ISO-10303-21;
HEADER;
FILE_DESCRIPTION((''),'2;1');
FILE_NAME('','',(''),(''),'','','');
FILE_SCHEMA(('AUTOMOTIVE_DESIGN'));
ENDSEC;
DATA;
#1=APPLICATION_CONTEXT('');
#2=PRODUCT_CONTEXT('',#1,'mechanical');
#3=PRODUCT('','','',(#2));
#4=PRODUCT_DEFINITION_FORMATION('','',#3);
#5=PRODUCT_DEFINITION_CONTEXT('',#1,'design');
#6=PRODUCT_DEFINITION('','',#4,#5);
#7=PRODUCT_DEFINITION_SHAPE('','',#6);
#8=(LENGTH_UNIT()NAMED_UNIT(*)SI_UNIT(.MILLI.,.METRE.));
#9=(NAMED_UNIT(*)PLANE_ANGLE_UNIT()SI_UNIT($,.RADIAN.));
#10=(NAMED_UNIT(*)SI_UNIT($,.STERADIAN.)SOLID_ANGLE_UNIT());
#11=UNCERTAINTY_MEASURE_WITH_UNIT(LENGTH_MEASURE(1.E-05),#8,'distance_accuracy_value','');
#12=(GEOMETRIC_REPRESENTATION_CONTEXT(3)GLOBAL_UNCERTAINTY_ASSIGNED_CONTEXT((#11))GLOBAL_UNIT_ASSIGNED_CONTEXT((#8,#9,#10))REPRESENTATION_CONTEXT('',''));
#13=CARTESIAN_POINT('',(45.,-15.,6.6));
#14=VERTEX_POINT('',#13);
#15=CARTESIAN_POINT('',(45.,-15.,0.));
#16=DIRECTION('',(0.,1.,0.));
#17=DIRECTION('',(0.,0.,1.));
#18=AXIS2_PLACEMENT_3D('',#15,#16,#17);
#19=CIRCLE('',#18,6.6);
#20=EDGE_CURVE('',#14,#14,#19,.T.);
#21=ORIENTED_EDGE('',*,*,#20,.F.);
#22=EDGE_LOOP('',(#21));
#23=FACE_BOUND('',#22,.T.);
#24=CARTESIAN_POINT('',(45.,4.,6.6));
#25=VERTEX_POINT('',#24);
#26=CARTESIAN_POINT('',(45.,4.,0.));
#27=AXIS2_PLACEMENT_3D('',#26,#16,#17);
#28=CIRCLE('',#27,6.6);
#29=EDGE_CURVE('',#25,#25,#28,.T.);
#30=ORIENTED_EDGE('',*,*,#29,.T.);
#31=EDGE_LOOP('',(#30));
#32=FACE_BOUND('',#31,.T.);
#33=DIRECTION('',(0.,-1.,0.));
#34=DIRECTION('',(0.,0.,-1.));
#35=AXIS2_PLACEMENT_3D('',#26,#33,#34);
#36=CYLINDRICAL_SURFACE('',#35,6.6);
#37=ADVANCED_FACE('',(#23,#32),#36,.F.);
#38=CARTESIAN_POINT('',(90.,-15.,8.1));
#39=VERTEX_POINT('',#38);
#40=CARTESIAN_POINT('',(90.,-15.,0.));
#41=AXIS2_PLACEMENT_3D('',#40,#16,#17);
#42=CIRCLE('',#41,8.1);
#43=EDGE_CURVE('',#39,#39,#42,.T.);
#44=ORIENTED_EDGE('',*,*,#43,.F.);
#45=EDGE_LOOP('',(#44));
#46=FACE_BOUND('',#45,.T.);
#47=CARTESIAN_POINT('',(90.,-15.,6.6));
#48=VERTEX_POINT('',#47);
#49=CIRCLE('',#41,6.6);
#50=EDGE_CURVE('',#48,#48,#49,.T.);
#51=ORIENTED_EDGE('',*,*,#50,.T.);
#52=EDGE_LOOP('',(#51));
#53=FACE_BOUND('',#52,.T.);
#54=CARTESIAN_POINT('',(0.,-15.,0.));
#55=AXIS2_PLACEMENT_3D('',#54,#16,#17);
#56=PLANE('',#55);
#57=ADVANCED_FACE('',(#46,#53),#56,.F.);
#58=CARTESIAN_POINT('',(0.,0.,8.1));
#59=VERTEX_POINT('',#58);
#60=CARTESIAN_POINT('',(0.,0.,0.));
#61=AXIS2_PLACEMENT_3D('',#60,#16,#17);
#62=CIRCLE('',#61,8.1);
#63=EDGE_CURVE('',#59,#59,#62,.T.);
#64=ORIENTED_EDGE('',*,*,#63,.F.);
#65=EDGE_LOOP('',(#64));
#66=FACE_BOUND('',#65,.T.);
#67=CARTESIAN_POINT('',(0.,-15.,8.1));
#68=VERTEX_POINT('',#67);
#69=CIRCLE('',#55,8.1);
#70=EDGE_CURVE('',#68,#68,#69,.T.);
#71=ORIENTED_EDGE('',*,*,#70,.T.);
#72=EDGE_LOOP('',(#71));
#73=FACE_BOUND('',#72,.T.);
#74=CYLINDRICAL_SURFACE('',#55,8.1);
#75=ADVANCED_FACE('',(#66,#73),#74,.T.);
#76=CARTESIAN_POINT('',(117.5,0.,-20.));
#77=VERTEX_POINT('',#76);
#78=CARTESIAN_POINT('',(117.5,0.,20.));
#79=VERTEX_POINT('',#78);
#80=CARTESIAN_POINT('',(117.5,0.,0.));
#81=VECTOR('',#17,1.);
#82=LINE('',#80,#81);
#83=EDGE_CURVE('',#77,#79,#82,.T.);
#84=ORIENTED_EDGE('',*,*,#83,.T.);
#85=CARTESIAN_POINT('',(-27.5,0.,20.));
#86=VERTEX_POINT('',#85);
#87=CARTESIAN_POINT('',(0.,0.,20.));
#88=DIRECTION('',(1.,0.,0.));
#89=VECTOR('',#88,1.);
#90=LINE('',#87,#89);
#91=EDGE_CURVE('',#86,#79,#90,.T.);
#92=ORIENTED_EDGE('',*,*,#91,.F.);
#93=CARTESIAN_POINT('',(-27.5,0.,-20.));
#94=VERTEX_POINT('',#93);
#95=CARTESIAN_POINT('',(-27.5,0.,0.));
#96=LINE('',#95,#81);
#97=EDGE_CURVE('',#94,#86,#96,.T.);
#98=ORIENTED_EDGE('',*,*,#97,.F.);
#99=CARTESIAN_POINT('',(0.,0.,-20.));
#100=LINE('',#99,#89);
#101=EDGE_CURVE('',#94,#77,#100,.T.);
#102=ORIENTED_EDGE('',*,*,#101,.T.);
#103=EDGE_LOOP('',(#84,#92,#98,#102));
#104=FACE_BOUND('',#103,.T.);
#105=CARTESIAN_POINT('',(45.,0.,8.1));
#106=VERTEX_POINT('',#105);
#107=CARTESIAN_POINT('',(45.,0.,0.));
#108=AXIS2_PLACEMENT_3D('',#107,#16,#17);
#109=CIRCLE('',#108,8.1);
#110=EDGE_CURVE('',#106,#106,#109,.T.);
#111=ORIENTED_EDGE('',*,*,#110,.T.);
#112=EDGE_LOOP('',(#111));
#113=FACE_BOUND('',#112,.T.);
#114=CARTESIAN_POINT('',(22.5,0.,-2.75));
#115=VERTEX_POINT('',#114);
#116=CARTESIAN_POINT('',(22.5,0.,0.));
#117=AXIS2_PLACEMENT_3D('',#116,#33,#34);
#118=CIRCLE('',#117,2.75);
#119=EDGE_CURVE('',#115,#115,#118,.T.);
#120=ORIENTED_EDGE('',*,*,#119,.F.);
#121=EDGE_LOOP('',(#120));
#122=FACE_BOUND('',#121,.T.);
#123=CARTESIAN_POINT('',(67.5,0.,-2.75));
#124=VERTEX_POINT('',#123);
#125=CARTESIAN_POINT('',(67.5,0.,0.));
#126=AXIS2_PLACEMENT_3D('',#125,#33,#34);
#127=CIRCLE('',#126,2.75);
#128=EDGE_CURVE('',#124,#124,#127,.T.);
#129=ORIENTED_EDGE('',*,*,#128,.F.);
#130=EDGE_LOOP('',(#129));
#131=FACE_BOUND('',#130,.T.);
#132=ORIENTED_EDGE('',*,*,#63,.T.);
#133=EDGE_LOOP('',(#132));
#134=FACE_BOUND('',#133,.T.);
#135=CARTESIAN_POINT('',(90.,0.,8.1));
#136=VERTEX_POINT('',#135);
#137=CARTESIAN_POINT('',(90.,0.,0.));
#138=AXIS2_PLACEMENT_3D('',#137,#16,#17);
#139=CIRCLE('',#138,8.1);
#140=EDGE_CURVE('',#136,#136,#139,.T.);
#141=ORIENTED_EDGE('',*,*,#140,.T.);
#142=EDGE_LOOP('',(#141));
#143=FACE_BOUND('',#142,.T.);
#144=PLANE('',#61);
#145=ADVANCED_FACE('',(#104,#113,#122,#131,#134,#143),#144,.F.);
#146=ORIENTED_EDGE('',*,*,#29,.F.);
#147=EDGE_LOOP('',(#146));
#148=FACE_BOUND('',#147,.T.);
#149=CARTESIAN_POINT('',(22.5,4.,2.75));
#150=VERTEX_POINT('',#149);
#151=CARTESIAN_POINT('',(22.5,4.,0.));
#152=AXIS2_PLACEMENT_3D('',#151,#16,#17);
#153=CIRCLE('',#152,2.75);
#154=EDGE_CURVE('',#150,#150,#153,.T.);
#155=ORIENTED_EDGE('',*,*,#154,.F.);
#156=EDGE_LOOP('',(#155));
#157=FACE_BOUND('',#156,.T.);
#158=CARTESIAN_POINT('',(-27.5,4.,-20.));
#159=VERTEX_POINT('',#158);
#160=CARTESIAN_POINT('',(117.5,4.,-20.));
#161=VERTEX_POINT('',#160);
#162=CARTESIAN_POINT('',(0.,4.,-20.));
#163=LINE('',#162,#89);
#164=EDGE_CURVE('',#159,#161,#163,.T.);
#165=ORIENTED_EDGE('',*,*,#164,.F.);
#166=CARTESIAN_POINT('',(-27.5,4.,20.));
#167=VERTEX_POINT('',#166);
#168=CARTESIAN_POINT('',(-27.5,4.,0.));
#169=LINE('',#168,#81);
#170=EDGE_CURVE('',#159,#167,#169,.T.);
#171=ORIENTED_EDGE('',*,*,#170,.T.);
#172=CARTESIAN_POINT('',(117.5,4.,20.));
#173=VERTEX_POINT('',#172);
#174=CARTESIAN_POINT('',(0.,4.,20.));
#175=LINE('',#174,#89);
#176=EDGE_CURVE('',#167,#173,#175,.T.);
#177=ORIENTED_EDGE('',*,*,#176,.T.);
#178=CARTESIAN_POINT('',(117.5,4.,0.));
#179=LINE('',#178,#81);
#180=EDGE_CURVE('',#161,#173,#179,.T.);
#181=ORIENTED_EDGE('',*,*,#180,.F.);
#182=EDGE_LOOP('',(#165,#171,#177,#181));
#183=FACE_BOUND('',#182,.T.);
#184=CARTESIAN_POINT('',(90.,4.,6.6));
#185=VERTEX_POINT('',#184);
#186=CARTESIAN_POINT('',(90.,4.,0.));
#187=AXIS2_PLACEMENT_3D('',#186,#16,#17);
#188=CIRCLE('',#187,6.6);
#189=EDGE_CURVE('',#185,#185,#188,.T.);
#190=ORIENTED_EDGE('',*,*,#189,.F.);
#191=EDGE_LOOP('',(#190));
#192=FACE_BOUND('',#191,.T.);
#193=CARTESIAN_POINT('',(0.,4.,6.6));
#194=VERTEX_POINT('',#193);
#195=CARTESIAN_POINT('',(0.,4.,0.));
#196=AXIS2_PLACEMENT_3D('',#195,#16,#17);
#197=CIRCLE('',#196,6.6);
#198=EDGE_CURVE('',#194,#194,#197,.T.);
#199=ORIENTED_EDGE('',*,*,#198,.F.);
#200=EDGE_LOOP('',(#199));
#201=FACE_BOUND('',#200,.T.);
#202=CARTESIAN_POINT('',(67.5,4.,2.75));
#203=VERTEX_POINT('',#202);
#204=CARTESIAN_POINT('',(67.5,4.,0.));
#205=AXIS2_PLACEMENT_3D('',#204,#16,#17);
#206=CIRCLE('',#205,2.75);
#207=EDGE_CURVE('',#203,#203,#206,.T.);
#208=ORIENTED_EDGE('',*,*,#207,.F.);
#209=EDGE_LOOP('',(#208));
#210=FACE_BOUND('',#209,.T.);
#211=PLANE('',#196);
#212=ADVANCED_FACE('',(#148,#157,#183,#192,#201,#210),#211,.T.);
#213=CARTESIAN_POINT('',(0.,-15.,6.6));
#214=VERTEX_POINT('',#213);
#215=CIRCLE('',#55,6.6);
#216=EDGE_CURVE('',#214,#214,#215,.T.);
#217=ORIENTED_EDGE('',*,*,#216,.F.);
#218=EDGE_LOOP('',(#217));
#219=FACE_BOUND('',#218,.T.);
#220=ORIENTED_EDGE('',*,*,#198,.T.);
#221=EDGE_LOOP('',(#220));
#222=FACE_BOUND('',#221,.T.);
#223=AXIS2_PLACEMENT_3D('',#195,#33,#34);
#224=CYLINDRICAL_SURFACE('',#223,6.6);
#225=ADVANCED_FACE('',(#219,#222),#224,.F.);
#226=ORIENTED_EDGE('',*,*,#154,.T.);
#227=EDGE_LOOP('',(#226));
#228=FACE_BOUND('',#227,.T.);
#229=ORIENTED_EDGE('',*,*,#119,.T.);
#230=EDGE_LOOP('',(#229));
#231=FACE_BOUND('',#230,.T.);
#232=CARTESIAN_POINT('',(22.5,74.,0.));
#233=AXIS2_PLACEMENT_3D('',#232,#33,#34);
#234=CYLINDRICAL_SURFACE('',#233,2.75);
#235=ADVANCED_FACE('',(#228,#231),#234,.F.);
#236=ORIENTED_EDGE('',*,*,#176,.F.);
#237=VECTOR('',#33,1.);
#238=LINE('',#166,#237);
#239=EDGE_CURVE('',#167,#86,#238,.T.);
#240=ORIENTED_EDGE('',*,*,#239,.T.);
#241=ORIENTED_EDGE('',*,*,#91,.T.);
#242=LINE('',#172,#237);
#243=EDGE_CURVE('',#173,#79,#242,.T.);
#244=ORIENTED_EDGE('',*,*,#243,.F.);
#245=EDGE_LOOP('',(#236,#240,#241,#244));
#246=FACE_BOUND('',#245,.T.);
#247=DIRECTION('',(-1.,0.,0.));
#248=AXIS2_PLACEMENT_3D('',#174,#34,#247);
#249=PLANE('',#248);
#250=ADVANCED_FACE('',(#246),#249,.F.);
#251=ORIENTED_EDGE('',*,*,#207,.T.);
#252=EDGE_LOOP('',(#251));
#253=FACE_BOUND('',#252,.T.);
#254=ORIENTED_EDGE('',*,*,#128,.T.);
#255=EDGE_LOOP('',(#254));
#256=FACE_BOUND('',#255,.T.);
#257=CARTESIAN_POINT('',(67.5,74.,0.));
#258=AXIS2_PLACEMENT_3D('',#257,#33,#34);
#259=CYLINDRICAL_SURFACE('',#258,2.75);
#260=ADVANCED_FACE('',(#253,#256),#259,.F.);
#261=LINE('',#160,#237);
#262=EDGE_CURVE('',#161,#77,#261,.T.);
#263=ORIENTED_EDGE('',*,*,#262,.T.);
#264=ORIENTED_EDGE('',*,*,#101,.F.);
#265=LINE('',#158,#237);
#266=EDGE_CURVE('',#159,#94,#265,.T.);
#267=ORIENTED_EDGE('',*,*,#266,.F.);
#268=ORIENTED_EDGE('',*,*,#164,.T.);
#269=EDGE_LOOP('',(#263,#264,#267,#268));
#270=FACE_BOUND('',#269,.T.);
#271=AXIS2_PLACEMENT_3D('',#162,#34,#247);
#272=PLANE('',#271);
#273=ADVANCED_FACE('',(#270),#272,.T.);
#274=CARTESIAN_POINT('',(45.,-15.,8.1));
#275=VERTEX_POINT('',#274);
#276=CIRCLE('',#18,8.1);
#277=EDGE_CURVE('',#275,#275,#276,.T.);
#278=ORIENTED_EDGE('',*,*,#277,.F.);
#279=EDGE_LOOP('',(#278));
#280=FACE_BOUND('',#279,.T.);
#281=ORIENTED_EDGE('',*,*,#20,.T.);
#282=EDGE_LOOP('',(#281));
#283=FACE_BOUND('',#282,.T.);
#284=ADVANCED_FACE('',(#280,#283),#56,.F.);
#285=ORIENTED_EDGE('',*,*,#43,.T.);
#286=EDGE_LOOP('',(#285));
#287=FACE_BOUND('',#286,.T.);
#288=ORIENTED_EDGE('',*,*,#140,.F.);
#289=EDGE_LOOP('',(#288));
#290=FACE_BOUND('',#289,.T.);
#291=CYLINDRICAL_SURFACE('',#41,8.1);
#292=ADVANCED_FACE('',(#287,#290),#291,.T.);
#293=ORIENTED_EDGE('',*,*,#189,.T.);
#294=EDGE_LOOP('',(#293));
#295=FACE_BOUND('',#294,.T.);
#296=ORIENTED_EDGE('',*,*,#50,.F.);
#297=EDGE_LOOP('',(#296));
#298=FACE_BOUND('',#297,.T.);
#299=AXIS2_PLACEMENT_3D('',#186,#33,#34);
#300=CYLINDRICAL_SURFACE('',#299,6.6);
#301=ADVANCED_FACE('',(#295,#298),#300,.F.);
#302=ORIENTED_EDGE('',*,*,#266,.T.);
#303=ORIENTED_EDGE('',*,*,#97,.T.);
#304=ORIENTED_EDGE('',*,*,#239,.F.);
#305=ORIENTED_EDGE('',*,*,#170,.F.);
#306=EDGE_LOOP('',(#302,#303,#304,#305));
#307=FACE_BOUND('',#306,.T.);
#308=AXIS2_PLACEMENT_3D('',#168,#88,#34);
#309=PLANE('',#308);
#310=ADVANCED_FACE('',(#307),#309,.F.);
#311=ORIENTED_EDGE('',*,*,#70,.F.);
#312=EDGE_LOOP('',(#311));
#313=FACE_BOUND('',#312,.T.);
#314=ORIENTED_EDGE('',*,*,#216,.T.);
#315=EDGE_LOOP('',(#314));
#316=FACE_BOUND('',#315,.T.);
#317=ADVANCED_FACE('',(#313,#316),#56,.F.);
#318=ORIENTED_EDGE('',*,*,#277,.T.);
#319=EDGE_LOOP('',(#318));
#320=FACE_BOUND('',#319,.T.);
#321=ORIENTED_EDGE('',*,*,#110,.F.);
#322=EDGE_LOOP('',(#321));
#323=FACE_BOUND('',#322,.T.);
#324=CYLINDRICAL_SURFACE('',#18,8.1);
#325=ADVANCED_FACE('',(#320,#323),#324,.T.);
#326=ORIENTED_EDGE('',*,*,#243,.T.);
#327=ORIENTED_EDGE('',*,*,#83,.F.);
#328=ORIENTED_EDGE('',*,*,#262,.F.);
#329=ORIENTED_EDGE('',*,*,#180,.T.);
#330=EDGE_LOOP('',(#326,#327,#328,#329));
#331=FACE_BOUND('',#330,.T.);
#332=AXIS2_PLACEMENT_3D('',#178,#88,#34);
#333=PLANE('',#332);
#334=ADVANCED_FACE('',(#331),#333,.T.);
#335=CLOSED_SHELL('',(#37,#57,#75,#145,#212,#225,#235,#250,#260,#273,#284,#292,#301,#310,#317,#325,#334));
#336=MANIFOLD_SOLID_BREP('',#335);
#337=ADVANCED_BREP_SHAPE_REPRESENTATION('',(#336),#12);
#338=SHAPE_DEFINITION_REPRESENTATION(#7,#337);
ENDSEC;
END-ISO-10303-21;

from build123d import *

# Parameters (mm, degrees)
BOSS_EXTRUDE3_DEPTH = 4
BOSS_EXTRUDE4_START = -15
BOSS_EXTRUDE4_DEPTH = 15
SKETCH3_R           = 2.75
CUT_EXTRUDE1_DEPTH  = 74


with BuildPart() as part:
    # Sketch2 → Boss-Extrude3 (new body)
    with BuildSketch(Plane(origin=(0, 0, 0), x_dir=(1, 0, 0), z_dir=(0, 1, 0))):
        with BuildLine():
            Line((45, 20), (-27.5, 20))
            Line((-27.5, 20), (-27.5, 0))
            Line((-27.5, 0), (-8.1, 0))
            ThreePointArc((-8.1, 0), (0, 8.1), (8.1, 0))
            Line((8.1, 0), (36.9, 0))
            ThreePointArc((36.9, 0), (39.272435072, 5.727564928), (45, 8.1))
            Line((45, 8.1), (45, 20))
        make_face()
        with BuildLine():
            ThreePointArc((8.1, 0), (0, 8.1), (-8.1, 0))
            Line((-8.1, 0), (-6.6, 0))
            ThreePointArc((-6.6, 0), (0, 6.6), (6.6, 0))
            Line((6.6, 0), (8.1, 0))
        make_face()
        with BuildLine():
            Line((-6.6, 0), (-8.1, 0))
            ThreePointArc((-8.1, 0), (0, -8.1), (8.1, 0))
            Line((8.1, 0), (6.6, 0))
            ThreePointArc((6.6, 0), (0, -6.6), (-6.6, 0))
        make_face()
        with BuildLine():
            ThreePointArc((53.1, 0), (50.727564928, 5.727564928), (45, 8.1))
            Line((45, 8.1), (45, 6.6))
            ThreePointArc((45, 6.6), (49.666904756, 4.666904756), (51.6, 0))
            Line((51.6, 0), (53.1, 0))
        make_face()
        with BuildLine():
            Line((45, 6.6), (45, 8.1))
            ThreePointArc((45, 8.1), (39.272435072, 5.727564928), (36.9, 0))
            Line((36.9, 0), (38.4, 0))
            ThreePointArc((38.4, 0), (40.333095244, 4.666904756), (45, 6.6))
        make_face()
        with BuildLine():
            ThreePointArc((36.9, 0), (45, -8.1), (53.1, 0))
            Line((53.1, 0), (51.6, 0))
            ThreePointArc((51.6, 0), (45, -6.6), (38.4, 0))
            Line((38.4, 0), (36.9, 0))
        make_face()
        with BuildLine():
            ThreePointArc((81.9, 0), (90, -8.1), (98.1, 0))
            Line((98.1, 0), (96.6, 0))
            ThreePointArc((96.6, 0), (90, -6.6), (83.4, 0))
            Line((83.4, 0), (81.9, 0))
        make_face()
        with BuildLine():
            Line((96.6, 0), (98.1, 0))
            ThreePointArc((98.1, 0), (90, 8.1), (81.9, 0))
            Line((81.9, 0), (83.4, 0))
            ThreePointArc((83.4, 0), (90, 6.6), (96.6, 0))
        make_face()
        with BuildLine():
            Line((117.5, 20), (45, 20))
            Line((45, 20), (45, 8.1))
            ThreePointArc((45, 8.1), (50.727564928, 5.727564928), (53.1, 0))
            Line((53.1, 0), (81.9, 0))
            ThreePointArc((81.9, 0), (90, 8.1), (98.1, 0))
            Line((98.1, 0), (117.5, 0))
            Line((117.5, 0), (117.5, 20))
        make_face()
        with BuildLine():
            Line((-8.1, 0), (-27.5, 0))
            Line((-27.5, 0), (-27.5, -20))
            Line((-27.5, -20), (117.5, -20))
            Line((117.5, -20), (117.5, 0))
            Line((117.5, 0), (98.1, 0))
            ThreePointArc((98.1, 0), (90, -8.1), (81.9, 0))
            Line((81.9, 0), (53.1, 0))
            ThreePointArc((53.1, 0), (45, -8.1), (36.9, 0))
            Line((36.9, 0), (8.1, 0))
            ThreePointArc((8.1, 0), (0, -8.1), (-8.1, 0))
        make_face()
    extrude(amount=BOSS_EXTRUDE3_DEPTH)

    # Sketch2<5> → Boss-Extrude4 (add)
    with BuildSketch(Plane(origin=(0, 0, 0), x_dir=(1, 0, 0), z_dir=(0, 1, 0)).offset(BOSS_EXTRUDE4_START)):
        with BuildLine():
            ThreePointArc((8.1, 0), (0, 8.1), (-8.1, 0))
            Line((-8.1, 0), (-6.6, 0))
            ThreePointArc((-6.6, 0), (0, 6.6), (6.6, 0))
            Line((6.6, 0), (8.1, 0))
        make_face()
        with BuildLine():
            Line((-6.6, 0), (-8.1, 0))
            ThreePointArc((-8.1, 0), (0, -8.1), (8.1, 0))
            Line((8.1, 0), (6.6, 0))
            ThreePointArc((6.6, 0), (0, -6.6), (-6.6, 0))
        make_face()
        with BuildLine():
            ThreePointArc((53.1, 0), (50.727564928, 5.727564928), (45, 8.1))
            Line((45, 8.1), (45, 6.6))
            ThreePointArc((45, 6.6), (49.666904756, 4.666904756), (51.6, 0))
            Line((51.6, 0), (53.1, 0))
        make_face()
        with BuildLine():
            Line((45, 6.6), (45, 8.1))
            ThreePointArc((45, 8.1), (39.272435072, 5.727564928), (36.9, 0))
            Line((36.9, 0), (38.4, 0))
            ThreePointArc((38.4, 0), (40.333095244, 4.666904756), (45, 6.6))
        make_face()
        with BuildLine():
            ThreePointArc((36.9, 0), (45, -8.1), (53.1, 0))
            Line((53.1, 0), (51.6, 0))
            ThreePointArc((51.6, 0), (45, -6.6), (38.4, 0))
            Line((38.4, 0), (36.9, 0))
        make_face()
        with BuildLine():
            ThreePointArc((81.9, 0), (90, -8.1), (98.1, 0))
            Line((98.1, 0), (96.6, 0))
            ThreePointArc((96.6, 0), (90, -6.6), (83.4, 0))
            Line((83.4, 0), (81.9, 0))
        make_face()
        with BuildLine():
            Line((96.6, 0), (98.1, 0))
            ThreePointArc((98.1, 0), (90, 8.1), (81.9, 0))
            Line((81.9, 0), (83.4, 0))
            ThreePointArc((83.4, 0), (90, 6.6), (96.6, 0))
        make_face()
    extrude(amount=BOSS_EXTRUDE4_DEPTH)

    # Sketch3 → Cut-Extrude1 (cut)
    with BuildSketch(Plane.XZ):
        with BuildLine():
            ThreePointArc((19.75, 0), (22.5, -2.75), (25.25, 0))
            Line((25.25, 0), (19.75, 0))
        make_face()
        with BuildLine():
            Line((19.75, 0), (25.25, 0))
            ThreePointArc((25.25, 0), (22.5, 2.75), (19.75, 0))
        make_face()
        with Locations(Location((67.5, 0, 0), (0, 0, 270))):
            Circle(SKETCH3_R)
    extrude(amount=-CUT_EXTRUDE1_DEPTH, mode=Mode.SUBTRACT)


solid = part.part
